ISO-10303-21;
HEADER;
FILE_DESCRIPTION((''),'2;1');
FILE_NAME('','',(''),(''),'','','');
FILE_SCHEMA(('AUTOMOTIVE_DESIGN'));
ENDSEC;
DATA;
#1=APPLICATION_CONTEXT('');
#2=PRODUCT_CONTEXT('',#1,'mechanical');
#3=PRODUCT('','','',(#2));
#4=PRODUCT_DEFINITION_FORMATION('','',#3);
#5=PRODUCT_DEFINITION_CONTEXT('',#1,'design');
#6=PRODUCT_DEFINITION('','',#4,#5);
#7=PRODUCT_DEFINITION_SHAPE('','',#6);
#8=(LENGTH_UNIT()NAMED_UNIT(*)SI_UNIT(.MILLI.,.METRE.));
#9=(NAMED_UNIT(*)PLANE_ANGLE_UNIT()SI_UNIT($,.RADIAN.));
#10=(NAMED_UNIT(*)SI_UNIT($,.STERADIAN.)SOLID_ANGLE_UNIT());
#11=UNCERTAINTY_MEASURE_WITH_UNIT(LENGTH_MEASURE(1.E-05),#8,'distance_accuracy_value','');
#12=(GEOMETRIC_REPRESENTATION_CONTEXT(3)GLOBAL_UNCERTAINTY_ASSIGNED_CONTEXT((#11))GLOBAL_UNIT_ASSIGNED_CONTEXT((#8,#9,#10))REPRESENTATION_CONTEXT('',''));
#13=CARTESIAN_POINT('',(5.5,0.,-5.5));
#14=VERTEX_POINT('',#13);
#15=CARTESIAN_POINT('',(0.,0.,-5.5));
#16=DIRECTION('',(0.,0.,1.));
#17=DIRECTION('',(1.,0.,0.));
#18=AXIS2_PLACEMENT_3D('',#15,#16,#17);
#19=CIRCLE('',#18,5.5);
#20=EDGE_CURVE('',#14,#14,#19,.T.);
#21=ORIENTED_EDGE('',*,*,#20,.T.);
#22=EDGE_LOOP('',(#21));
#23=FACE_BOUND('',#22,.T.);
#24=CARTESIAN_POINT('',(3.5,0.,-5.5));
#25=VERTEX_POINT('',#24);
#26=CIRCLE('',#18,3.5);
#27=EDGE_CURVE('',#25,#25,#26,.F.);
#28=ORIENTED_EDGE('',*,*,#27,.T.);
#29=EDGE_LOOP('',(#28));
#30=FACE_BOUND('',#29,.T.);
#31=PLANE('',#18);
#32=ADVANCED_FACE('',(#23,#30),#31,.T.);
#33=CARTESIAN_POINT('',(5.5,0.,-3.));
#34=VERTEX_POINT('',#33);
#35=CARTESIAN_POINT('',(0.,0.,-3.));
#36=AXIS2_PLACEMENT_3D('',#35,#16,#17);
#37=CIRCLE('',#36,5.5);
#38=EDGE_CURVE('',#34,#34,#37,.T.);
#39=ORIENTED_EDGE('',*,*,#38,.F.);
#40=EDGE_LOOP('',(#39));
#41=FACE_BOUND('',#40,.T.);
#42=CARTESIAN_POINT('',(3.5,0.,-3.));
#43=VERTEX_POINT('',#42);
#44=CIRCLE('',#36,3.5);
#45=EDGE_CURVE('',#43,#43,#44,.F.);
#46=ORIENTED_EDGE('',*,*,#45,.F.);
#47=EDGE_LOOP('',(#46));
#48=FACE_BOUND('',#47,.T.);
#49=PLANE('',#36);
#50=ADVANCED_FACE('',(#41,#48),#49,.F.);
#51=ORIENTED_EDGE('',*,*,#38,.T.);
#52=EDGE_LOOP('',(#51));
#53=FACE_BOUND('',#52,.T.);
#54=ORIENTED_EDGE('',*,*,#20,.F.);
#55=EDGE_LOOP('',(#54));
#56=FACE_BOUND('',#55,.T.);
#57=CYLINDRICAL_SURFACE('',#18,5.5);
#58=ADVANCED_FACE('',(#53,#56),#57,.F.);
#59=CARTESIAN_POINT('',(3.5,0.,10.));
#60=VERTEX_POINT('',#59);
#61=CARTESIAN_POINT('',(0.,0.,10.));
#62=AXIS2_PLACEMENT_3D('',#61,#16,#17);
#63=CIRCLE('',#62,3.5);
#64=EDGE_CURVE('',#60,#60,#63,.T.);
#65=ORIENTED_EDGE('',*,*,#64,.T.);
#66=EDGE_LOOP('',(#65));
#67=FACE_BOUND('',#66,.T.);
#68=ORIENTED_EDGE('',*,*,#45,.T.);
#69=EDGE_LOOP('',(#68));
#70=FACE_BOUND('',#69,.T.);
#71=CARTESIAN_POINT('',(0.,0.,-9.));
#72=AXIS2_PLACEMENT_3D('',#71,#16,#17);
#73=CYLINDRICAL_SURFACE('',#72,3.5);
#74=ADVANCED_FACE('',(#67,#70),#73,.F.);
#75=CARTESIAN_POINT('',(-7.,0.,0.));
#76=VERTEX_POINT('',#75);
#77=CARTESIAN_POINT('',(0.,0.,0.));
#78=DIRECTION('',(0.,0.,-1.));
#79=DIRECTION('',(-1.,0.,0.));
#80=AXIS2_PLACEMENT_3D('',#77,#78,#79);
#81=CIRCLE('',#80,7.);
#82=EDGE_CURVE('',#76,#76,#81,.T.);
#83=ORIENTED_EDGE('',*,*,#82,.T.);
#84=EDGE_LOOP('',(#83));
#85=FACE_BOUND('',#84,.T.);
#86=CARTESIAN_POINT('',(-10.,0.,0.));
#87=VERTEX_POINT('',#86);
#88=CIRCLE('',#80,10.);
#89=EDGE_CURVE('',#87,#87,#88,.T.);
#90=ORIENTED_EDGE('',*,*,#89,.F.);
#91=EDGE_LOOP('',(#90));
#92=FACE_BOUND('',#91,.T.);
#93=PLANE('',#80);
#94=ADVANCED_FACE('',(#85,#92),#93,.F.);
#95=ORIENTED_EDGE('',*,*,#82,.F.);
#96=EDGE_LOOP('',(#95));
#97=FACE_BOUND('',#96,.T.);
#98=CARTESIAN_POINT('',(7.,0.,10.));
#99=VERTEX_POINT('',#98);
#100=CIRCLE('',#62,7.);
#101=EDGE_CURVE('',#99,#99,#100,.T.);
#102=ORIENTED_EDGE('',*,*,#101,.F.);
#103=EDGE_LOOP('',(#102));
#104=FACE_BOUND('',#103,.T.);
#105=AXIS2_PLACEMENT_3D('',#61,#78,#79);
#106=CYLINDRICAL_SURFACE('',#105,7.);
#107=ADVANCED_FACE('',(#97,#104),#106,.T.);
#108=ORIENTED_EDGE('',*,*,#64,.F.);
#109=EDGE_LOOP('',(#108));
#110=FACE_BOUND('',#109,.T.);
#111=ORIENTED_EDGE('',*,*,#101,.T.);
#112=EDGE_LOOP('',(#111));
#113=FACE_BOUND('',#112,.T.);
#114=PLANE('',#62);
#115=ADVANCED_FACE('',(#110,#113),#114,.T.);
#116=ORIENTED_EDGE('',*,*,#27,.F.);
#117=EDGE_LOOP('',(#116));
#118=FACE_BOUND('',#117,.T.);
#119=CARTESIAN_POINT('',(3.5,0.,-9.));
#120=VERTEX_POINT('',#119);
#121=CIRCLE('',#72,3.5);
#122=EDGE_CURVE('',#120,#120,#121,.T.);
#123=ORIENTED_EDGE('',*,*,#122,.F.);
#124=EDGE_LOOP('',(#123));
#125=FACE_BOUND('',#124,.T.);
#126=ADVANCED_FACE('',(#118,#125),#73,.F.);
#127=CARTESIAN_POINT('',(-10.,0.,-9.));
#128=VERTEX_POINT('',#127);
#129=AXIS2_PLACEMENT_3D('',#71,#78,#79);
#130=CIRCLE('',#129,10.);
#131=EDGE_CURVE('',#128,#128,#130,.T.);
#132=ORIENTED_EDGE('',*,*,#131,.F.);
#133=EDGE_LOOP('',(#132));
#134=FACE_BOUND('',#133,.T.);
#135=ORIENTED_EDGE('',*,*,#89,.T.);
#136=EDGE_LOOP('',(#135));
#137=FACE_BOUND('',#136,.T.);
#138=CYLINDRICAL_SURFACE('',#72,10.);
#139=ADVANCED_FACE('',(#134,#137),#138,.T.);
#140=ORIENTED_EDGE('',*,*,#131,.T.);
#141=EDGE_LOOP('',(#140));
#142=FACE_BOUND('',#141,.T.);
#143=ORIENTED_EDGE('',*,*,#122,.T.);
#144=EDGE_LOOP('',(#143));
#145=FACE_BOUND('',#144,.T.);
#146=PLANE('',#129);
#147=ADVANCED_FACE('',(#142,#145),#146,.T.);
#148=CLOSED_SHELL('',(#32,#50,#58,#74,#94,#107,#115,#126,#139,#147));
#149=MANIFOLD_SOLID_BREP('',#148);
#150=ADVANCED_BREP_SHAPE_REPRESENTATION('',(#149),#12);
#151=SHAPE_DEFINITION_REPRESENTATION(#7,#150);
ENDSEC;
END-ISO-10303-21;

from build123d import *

# Parameters (mm, degrees)
SKETCH_2_R          = 7
EXTRUDE_1_DEPTH     = 10
SKETCH_3_R          = 10
EXTRUDE_2_DEPTH     = 9
SKETCH_4_R          = 3.5
CUT_EXTRUDE_1_DEPTH = 20
CUT_EXTRUDE_START   = -13
SKETCH_5_R          = 5.5
CUT_EXTRUDE_2_DEPTH = 2.5


with BuildPart() as part:
    # Эскиз2 → Бобышка-Вытянуть1 (new body)
    with BuildSketch(Plane.XY):
        Circle(SKETCH_2_R)
    extrude(amount=EXTRUDE_1_DEPTH)

    # Эскиз3 → Бобышка-Вытянуть2 (add)
    with BuildSketch(Plane(origin=(0, 0, 0), x_dir=(-1, 0, 0), z_dir=(0, 0, -1))):
        Circle(SKETCH_3_R)
    extrude(amount=EXTRUDE_2_DEPTH)

    # Эскиз4 → Вырез-Вытянуть1 (cut, through all)
    with BuildSketch(Plane.XY.offset(10)):
        Circle(SKETCH_4_R)
    extrude(amount=-CUT_EXTRUDE_1_DEPTH, mode=Mode.SUBTRACT)

    # Эскиз5 → Вырез-Вытянуть2 (cut)
    with BuildSketch(Plane.XY.offset(10).offset(CUT_EXTRUDE_START)):
        Circle(SKETCH_5_R)
    extrude(amount=-CUT_EXTRUDE_2_DEPTH, mode=Mode.SUBTRACT)


solid = part.part
